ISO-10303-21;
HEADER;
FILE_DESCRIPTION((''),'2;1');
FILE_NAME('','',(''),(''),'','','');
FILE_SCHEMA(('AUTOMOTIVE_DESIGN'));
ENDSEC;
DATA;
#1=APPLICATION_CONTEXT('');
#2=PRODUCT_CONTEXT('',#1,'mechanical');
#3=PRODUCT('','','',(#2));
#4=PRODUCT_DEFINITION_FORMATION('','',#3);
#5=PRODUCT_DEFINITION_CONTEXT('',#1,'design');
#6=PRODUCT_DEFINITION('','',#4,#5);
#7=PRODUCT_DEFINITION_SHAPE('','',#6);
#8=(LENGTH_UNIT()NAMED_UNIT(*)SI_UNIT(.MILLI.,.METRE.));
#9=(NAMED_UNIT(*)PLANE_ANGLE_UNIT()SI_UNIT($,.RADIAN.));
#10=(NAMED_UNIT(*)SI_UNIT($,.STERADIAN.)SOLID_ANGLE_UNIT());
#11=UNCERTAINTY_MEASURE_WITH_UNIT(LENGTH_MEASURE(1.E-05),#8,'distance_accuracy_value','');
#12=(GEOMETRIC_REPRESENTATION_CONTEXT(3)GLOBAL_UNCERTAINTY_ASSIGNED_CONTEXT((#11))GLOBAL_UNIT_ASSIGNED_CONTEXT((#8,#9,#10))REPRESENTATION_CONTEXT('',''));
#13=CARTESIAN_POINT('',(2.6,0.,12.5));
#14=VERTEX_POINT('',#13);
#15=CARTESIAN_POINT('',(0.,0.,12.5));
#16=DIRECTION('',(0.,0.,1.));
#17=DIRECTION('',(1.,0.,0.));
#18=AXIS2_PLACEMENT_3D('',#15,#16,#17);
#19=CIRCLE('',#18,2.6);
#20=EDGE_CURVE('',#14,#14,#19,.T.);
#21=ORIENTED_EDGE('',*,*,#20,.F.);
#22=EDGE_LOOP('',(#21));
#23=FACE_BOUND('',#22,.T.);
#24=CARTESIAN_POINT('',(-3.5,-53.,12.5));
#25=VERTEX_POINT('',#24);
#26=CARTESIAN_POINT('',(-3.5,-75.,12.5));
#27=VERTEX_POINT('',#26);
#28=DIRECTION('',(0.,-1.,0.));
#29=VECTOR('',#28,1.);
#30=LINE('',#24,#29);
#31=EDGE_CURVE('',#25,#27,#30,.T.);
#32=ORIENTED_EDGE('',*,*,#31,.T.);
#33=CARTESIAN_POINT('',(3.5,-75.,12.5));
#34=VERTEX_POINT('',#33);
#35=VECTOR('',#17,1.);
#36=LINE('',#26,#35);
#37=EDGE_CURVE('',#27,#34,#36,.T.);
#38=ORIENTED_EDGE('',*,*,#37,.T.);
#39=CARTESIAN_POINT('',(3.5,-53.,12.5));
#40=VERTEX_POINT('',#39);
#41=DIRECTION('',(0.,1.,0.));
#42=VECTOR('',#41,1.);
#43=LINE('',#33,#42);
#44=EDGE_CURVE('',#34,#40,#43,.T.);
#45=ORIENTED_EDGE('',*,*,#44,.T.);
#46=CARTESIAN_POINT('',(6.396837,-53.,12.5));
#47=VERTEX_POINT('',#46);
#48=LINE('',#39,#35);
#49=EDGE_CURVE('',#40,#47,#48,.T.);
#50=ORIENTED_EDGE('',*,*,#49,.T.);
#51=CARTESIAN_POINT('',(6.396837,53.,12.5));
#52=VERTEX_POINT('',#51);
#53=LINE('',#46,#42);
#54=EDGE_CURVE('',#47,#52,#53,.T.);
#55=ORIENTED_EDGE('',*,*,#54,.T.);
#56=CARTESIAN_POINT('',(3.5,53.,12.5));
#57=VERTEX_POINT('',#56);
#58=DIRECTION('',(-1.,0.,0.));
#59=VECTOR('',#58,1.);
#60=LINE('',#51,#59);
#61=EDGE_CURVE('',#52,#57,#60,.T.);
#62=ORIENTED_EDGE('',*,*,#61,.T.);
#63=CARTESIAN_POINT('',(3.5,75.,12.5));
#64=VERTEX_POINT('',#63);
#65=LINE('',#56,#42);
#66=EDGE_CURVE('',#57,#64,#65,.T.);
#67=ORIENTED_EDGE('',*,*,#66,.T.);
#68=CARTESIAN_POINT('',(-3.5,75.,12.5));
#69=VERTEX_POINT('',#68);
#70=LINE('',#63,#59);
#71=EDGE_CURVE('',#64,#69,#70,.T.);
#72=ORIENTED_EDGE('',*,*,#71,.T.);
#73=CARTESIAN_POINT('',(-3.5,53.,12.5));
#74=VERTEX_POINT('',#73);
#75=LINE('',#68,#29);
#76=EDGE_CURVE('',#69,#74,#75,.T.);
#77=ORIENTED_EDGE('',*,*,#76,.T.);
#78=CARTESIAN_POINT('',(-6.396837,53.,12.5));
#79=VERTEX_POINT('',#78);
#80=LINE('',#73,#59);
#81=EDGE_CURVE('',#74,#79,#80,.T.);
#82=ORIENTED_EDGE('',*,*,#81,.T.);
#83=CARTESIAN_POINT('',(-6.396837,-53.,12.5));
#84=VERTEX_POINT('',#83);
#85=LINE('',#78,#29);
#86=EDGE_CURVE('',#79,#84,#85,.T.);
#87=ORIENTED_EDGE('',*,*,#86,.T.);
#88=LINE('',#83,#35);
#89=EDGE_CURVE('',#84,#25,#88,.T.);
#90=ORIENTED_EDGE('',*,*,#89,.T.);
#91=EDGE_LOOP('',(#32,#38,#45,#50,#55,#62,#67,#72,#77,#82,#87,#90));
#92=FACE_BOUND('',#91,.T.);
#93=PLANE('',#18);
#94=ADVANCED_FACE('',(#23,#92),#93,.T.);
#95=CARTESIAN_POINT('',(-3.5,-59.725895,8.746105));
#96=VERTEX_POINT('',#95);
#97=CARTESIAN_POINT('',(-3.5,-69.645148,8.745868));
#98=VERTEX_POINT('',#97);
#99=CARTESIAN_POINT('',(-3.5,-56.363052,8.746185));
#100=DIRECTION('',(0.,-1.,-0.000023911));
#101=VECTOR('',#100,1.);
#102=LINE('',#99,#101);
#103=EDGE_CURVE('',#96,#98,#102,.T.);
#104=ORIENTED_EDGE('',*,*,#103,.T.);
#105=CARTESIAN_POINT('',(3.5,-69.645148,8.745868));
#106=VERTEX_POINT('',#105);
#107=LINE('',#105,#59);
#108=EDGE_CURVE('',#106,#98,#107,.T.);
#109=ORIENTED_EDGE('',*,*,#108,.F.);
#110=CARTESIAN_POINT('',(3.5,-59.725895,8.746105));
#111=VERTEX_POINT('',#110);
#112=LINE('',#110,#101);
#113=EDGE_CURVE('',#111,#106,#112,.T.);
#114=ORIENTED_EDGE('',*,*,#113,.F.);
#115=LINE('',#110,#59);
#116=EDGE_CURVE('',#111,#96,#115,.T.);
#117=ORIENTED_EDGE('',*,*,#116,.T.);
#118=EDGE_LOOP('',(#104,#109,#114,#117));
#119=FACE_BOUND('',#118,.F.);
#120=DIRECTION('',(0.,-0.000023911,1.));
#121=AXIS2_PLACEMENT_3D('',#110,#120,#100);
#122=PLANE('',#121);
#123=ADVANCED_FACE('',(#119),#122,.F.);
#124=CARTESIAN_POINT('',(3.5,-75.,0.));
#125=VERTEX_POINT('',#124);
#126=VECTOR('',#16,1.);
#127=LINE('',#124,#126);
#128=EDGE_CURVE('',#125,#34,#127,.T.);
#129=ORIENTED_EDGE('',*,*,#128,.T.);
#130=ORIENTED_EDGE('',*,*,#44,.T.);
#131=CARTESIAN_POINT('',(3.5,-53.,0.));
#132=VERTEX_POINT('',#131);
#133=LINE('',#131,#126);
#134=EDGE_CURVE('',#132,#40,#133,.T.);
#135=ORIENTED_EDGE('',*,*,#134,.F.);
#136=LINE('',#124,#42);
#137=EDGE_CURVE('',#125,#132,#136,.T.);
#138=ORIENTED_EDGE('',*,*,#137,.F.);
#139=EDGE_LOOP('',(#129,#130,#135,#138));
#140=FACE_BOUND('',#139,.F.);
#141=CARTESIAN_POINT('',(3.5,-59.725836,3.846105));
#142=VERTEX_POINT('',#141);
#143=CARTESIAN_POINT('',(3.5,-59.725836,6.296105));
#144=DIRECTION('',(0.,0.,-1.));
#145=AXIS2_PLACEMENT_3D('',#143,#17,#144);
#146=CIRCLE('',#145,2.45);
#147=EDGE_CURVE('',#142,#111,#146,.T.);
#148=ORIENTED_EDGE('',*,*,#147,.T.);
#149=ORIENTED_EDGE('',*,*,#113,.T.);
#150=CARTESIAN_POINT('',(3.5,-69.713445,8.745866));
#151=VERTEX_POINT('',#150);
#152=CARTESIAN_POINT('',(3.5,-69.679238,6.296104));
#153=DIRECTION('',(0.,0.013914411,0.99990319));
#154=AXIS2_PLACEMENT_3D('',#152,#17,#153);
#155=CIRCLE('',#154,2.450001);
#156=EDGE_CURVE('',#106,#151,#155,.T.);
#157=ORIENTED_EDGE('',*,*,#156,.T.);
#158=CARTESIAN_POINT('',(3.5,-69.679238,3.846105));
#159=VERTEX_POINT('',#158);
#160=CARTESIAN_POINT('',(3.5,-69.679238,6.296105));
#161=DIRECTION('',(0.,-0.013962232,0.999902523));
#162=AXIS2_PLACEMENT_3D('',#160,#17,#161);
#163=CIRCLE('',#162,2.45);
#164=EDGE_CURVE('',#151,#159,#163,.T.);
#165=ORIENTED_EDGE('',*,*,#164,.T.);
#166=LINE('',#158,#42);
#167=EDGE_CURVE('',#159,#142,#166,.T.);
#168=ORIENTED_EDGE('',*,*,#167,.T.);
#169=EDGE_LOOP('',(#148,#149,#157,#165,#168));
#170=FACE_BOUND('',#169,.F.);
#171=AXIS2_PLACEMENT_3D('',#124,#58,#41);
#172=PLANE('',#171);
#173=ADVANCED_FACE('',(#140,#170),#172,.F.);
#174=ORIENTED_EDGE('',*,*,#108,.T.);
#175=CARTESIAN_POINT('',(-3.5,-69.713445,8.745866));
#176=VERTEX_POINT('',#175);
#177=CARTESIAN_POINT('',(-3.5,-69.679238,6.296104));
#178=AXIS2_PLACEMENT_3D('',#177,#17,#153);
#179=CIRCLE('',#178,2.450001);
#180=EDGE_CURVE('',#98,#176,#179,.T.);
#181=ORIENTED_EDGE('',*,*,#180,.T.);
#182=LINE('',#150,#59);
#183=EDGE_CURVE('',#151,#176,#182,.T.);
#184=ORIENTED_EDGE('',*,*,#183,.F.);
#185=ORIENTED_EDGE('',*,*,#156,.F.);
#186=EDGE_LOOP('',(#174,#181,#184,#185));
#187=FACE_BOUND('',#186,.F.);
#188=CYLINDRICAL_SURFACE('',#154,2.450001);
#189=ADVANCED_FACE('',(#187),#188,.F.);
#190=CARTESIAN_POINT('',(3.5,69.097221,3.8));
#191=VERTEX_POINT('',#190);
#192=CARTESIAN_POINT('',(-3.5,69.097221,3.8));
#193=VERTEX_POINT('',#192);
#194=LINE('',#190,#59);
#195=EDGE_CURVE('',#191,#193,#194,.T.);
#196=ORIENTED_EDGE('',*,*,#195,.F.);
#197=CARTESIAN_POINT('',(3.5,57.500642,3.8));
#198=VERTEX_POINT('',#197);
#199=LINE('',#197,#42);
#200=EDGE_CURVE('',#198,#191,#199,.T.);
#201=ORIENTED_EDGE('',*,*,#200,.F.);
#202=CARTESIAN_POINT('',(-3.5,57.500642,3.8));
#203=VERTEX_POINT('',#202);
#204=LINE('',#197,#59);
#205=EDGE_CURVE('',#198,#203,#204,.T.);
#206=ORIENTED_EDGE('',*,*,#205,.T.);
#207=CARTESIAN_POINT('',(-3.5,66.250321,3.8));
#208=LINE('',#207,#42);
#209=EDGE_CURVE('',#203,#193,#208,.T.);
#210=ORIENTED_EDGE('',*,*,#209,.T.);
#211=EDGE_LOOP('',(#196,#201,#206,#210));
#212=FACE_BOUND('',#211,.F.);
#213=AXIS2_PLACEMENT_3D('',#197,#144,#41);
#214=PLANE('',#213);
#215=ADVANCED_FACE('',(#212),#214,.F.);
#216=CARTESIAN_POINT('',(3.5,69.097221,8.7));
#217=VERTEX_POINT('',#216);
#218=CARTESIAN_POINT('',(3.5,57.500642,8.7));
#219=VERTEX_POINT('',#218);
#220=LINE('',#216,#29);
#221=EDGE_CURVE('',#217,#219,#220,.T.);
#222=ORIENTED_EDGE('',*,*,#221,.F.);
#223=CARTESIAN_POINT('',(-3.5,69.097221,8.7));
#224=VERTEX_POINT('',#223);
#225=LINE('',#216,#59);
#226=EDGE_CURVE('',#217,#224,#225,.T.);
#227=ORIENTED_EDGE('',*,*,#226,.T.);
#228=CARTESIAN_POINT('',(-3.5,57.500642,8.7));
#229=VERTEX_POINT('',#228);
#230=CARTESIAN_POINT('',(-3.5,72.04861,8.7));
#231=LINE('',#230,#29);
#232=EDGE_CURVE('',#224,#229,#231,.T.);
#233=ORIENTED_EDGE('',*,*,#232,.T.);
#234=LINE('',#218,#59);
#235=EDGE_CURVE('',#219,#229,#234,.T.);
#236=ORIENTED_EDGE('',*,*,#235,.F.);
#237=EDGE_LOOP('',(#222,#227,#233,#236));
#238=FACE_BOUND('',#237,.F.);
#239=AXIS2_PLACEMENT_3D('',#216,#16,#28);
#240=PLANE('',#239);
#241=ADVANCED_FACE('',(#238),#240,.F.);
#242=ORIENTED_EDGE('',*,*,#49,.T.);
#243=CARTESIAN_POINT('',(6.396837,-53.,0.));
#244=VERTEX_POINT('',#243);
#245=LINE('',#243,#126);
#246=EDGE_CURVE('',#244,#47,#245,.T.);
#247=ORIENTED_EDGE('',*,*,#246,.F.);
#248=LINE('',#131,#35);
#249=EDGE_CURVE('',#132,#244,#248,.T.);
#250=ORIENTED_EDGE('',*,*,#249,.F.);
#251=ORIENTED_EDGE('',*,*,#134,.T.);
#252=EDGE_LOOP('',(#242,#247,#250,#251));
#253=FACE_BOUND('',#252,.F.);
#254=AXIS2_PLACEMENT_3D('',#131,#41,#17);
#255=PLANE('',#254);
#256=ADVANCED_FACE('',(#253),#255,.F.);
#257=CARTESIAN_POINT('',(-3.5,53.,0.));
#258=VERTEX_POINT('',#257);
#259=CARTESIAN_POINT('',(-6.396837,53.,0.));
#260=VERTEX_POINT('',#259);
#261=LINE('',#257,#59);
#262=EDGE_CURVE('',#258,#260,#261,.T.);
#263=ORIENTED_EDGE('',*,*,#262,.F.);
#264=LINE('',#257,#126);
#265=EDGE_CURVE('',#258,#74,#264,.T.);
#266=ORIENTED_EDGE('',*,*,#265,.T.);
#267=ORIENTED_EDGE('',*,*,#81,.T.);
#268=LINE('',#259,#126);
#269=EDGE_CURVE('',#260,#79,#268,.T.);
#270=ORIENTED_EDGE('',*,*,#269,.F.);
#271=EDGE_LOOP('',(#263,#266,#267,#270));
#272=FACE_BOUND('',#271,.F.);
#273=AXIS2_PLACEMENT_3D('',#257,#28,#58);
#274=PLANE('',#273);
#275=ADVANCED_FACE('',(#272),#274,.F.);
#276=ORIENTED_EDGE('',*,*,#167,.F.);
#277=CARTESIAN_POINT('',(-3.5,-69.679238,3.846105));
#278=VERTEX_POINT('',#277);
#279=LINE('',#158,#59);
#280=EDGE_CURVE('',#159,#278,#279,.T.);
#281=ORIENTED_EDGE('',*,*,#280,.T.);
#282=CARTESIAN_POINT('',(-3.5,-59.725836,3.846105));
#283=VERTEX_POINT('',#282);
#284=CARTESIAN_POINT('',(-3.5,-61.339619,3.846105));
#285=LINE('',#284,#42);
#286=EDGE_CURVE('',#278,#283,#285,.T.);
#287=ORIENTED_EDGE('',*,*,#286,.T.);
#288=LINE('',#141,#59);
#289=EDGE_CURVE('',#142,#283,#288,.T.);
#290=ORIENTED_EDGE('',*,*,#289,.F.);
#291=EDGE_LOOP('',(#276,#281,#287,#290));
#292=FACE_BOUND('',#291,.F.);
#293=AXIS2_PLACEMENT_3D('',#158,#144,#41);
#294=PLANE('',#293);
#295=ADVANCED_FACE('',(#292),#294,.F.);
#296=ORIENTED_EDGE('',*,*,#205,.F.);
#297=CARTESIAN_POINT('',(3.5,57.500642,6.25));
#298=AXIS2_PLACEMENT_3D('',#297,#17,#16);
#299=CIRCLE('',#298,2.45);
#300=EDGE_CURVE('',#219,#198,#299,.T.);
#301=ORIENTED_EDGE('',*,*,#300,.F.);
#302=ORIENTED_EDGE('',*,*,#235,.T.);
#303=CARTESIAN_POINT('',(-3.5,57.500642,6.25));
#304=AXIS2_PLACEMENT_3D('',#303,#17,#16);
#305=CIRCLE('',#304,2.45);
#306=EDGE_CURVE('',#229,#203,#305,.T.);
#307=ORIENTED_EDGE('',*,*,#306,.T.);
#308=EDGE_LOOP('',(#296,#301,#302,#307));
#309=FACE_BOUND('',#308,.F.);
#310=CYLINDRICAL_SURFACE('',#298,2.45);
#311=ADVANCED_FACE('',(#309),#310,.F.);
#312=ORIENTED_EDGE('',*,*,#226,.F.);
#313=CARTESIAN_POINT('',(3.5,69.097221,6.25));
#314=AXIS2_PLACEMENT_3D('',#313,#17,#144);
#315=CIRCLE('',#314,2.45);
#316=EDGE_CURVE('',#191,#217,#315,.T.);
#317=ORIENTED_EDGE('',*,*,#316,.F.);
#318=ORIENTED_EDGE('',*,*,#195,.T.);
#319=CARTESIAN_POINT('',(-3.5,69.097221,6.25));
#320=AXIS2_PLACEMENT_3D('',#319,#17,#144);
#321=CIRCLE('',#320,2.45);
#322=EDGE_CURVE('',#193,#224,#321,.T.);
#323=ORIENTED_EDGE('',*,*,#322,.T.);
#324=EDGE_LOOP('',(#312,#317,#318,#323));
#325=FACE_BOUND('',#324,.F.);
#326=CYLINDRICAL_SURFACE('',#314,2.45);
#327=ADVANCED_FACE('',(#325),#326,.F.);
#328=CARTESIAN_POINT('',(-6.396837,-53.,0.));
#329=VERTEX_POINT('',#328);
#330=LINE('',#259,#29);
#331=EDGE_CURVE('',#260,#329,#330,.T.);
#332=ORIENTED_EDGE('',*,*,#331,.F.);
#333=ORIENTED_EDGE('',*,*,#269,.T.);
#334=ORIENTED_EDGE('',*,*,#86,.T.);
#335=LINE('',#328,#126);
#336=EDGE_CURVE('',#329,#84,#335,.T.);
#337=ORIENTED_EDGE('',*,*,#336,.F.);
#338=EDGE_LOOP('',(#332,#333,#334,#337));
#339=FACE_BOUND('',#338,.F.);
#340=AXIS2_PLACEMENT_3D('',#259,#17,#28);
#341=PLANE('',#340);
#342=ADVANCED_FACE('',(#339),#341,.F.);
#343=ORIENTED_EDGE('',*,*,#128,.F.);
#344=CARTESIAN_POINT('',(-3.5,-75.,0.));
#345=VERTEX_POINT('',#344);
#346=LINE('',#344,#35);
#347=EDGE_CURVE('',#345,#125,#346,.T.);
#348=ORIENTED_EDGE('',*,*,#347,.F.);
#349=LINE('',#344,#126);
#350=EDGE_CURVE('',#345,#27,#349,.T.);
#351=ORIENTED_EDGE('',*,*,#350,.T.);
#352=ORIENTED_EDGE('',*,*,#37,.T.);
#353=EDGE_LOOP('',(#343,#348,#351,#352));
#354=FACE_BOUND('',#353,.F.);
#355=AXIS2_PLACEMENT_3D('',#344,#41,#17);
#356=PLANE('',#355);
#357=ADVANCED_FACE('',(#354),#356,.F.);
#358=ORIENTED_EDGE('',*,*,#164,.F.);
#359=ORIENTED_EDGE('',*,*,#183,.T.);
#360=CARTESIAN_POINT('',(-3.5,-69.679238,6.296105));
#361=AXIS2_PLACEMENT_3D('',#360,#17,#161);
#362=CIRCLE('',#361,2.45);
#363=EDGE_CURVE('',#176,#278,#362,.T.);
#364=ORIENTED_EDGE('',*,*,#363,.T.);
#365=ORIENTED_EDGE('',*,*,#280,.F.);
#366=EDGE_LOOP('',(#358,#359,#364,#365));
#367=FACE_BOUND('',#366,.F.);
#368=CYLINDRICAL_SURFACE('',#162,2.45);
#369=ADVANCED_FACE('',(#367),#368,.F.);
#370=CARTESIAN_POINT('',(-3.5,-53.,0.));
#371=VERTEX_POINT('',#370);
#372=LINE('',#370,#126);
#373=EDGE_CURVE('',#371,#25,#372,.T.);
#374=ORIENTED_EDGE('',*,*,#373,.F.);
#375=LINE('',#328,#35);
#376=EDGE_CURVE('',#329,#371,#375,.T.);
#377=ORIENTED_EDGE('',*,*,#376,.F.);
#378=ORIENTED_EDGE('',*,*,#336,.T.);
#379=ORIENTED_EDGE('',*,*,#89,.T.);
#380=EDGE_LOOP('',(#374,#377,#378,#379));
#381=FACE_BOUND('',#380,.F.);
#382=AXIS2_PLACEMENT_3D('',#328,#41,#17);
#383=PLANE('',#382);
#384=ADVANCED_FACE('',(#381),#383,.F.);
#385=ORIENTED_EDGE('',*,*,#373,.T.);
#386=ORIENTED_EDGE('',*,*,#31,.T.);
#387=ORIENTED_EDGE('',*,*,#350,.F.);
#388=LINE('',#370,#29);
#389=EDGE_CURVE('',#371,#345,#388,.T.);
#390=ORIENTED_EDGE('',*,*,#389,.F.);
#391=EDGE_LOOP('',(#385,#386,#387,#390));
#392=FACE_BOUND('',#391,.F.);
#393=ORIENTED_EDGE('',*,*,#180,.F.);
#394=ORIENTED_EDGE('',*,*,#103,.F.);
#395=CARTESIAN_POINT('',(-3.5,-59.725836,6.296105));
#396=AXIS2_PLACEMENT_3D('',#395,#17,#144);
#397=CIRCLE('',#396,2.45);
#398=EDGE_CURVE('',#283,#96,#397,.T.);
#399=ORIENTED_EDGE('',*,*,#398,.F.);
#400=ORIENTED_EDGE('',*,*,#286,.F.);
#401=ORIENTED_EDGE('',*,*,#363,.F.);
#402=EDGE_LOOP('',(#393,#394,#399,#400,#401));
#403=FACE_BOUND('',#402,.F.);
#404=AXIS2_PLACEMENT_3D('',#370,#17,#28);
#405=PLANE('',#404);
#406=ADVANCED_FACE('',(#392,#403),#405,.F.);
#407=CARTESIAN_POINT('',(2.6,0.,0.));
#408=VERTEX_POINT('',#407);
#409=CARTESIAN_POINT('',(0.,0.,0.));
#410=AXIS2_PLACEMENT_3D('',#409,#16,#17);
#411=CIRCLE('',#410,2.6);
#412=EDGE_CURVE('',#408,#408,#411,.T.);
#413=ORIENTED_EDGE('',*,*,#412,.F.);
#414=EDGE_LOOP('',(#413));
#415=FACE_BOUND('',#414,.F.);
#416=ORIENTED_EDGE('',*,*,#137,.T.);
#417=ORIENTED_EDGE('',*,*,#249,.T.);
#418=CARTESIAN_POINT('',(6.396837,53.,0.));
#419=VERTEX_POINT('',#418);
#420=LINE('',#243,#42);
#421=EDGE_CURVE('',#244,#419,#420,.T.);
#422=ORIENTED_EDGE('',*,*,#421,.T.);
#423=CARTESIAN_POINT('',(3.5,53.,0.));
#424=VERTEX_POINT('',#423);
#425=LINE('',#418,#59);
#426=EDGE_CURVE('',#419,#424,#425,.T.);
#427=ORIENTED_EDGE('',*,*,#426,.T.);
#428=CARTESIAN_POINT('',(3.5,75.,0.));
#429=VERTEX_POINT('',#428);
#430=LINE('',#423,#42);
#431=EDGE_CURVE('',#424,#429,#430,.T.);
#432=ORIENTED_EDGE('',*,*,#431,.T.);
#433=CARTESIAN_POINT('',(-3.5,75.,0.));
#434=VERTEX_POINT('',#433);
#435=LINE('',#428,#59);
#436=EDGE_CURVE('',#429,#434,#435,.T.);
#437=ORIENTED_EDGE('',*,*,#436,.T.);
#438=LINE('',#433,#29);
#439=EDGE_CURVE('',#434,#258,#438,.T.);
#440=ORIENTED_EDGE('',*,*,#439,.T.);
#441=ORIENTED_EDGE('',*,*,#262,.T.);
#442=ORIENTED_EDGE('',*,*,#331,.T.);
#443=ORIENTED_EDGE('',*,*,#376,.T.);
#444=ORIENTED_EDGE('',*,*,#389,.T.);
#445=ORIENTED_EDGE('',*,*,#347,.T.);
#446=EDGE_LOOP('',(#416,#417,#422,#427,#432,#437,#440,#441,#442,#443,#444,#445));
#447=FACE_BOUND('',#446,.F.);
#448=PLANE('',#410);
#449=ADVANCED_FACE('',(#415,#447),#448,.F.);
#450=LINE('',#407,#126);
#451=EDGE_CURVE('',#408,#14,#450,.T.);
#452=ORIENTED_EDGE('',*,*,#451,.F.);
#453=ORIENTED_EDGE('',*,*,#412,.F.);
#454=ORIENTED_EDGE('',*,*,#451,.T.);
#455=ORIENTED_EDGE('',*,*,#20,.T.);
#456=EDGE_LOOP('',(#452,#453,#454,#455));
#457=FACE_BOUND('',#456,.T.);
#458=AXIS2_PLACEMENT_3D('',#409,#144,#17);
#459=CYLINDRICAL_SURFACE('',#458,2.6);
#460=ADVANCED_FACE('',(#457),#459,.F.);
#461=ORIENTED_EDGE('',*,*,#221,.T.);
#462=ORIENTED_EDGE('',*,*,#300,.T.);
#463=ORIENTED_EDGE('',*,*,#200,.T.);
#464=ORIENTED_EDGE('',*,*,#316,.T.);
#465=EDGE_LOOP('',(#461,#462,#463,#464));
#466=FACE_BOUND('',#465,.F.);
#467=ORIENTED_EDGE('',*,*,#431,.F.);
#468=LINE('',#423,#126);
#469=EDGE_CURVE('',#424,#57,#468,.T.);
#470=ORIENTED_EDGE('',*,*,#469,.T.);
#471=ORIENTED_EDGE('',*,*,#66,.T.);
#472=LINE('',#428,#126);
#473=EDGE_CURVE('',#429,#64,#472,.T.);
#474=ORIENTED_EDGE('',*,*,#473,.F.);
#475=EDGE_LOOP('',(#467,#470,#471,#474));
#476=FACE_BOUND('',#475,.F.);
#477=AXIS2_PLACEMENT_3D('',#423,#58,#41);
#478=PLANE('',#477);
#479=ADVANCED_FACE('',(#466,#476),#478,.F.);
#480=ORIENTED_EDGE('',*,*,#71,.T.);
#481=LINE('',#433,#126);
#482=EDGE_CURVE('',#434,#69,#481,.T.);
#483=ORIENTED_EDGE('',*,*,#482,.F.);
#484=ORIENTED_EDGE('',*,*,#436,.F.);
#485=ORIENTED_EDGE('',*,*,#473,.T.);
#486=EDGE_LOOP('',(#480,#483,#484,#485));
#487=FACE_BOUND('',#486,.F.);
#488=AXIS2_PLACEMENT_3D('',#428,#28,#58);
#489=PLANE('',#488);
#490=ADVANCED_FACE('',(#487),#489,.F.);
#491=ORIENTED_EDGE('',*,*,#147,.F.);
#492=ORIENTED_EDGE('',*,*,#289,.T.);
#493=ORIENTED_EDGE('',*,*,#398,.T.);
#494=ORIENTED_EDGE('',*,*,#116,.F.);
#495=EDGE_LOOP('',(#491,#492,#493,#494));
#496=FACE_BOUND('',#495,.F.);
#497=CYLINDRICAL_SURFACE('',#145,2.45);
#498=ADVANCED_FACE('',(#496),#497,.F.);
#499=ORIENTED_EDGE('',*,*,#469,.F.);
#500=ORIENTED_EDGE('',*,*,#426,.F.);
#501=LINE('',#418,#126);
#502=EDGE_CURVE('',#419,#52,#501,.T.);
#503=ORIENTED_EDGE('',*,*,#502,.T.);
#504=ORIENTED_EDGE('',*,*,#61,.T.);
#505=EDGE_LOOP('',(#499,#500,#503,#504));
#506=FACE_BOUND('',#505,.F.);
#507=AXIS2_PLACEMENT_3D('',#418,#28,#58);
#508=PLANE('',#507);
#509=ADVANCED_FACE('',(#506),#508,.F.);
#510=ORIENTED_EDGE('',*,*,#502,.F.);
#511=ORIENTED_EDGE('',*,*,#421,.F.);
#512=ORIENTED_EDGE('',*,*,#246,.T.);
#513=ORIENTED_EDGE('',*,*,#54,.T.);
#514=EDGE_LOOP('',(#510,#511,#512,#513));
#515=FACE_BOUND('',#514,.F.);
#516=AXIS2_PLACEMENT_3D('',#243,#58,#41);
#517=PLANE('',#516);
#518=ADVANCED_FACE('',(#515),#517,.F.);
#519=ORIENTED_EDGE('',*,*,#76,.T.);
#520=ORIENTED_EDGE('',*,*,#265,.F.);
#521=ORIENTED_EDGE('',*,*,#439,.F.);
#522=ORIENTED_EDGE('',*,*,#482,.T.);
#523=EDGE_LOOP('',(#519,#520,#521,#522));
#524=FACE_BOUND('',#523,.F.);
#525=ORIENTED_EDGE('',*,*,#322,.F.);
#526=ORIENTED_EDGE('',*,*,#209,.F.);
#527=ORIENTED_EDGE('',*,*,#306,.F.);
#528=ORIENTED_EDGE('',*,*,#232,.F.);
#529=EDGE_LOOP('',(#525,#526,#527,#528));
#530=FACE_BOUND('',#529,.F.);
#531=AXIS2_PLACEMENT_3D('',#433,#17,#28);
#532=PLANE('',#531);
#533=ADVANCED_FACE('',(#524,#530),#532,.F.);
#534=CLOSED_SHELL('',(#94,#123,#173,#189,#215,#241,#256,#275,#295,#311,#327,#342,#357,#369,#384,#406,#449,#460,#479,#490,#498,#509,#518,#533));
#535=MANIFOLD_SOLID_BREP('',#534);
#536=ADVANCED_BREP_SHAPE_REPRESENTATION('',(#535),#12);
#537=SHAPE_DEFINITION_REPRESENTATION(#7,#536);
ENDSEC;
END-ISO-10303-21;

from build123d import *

# Parameters (mm, degrees)
F0_R     = 2.6
F1_DEPTH = 12.5
F3_DEPTH = 25
F6_DEPTH = 25


with BuildPart() as f1:
    # F0 (on Top) → F1 (new body)
    with BuildSketch(Plane.XY):
        Polygon((3.5, -53), (6.3968370669, -53), (6.3968370669, 53), (3.5, 53), (3.5, 75), (-3.5, 75), (-3.5, 53), (-6.3968370669, 53), (-6.3968370669, -53), (-3.5, -53), (-3.5, -75), (3.5, -75), align=None)
        Circle(F0_R, mode=Mode.SUBTRACT)
    extrude(amount=F1_DEPTH)

    # F2 (on face) → F3 (cut)
    with BuildSketch(Plane.YZ.offset(3.5)):
        with BuildLine():
            Line((69.0972208977, 8.7), (57.500641793, 8.7))
            ThreePointArc((57.500641793, 8.7), (55.050641793, 6.25), (57.500641793, 3.8))
            Line((57.500641793, 3.8), (69.0972208977, 3.8))
            ThreePointArc((69.0972208977, 3.8), (71.5472208977, 6.25), (69.0972208977, 8.7))
        make_face()
    extrude(amount=-F3_DEPTH, mode=Mode.SUBTRACT)

    # F5 (on face) → F6 (cut)
    with BuildSketch(Plane.YZ.offset(3.5)):
        with BuildLine():
            Line((-69.7134453715, 8.7458659336), (-69.6451475877, 8.7458675667))
            ThreePointArc((-69.6451475877, 8.7458675667), (-69.6792964853, 8.7461047508), (-69.7134453715, 8.7458659336))
        make_face()
        with BuildLine():
            Line((-59.7258945025, 8.7461047508), (-69.6451475877, 8.7458675667))
            Line((-69.6451475877, 8.7458675667), (-69.7134453715, 8.7458659336))
            ThreePointArc((-69.7134453715, 8.7458659336), (-72.1291781969, 6.2790006), (-69.6792379022, 3.8461047515))
            Line((-69.6792379022, 3.8461047515), (-59.7258359194, 3.8461047515))
            ThreePointArc((-59.7258359194, 3.8461047515), (-57.2758359196, 6.2961340431), (-59.7258945025, 8.7461047508))
        make_face()
    extrude(amount=-F6_DEPTH, mode=Mode.SUBTRACT)


solid = f1.part
